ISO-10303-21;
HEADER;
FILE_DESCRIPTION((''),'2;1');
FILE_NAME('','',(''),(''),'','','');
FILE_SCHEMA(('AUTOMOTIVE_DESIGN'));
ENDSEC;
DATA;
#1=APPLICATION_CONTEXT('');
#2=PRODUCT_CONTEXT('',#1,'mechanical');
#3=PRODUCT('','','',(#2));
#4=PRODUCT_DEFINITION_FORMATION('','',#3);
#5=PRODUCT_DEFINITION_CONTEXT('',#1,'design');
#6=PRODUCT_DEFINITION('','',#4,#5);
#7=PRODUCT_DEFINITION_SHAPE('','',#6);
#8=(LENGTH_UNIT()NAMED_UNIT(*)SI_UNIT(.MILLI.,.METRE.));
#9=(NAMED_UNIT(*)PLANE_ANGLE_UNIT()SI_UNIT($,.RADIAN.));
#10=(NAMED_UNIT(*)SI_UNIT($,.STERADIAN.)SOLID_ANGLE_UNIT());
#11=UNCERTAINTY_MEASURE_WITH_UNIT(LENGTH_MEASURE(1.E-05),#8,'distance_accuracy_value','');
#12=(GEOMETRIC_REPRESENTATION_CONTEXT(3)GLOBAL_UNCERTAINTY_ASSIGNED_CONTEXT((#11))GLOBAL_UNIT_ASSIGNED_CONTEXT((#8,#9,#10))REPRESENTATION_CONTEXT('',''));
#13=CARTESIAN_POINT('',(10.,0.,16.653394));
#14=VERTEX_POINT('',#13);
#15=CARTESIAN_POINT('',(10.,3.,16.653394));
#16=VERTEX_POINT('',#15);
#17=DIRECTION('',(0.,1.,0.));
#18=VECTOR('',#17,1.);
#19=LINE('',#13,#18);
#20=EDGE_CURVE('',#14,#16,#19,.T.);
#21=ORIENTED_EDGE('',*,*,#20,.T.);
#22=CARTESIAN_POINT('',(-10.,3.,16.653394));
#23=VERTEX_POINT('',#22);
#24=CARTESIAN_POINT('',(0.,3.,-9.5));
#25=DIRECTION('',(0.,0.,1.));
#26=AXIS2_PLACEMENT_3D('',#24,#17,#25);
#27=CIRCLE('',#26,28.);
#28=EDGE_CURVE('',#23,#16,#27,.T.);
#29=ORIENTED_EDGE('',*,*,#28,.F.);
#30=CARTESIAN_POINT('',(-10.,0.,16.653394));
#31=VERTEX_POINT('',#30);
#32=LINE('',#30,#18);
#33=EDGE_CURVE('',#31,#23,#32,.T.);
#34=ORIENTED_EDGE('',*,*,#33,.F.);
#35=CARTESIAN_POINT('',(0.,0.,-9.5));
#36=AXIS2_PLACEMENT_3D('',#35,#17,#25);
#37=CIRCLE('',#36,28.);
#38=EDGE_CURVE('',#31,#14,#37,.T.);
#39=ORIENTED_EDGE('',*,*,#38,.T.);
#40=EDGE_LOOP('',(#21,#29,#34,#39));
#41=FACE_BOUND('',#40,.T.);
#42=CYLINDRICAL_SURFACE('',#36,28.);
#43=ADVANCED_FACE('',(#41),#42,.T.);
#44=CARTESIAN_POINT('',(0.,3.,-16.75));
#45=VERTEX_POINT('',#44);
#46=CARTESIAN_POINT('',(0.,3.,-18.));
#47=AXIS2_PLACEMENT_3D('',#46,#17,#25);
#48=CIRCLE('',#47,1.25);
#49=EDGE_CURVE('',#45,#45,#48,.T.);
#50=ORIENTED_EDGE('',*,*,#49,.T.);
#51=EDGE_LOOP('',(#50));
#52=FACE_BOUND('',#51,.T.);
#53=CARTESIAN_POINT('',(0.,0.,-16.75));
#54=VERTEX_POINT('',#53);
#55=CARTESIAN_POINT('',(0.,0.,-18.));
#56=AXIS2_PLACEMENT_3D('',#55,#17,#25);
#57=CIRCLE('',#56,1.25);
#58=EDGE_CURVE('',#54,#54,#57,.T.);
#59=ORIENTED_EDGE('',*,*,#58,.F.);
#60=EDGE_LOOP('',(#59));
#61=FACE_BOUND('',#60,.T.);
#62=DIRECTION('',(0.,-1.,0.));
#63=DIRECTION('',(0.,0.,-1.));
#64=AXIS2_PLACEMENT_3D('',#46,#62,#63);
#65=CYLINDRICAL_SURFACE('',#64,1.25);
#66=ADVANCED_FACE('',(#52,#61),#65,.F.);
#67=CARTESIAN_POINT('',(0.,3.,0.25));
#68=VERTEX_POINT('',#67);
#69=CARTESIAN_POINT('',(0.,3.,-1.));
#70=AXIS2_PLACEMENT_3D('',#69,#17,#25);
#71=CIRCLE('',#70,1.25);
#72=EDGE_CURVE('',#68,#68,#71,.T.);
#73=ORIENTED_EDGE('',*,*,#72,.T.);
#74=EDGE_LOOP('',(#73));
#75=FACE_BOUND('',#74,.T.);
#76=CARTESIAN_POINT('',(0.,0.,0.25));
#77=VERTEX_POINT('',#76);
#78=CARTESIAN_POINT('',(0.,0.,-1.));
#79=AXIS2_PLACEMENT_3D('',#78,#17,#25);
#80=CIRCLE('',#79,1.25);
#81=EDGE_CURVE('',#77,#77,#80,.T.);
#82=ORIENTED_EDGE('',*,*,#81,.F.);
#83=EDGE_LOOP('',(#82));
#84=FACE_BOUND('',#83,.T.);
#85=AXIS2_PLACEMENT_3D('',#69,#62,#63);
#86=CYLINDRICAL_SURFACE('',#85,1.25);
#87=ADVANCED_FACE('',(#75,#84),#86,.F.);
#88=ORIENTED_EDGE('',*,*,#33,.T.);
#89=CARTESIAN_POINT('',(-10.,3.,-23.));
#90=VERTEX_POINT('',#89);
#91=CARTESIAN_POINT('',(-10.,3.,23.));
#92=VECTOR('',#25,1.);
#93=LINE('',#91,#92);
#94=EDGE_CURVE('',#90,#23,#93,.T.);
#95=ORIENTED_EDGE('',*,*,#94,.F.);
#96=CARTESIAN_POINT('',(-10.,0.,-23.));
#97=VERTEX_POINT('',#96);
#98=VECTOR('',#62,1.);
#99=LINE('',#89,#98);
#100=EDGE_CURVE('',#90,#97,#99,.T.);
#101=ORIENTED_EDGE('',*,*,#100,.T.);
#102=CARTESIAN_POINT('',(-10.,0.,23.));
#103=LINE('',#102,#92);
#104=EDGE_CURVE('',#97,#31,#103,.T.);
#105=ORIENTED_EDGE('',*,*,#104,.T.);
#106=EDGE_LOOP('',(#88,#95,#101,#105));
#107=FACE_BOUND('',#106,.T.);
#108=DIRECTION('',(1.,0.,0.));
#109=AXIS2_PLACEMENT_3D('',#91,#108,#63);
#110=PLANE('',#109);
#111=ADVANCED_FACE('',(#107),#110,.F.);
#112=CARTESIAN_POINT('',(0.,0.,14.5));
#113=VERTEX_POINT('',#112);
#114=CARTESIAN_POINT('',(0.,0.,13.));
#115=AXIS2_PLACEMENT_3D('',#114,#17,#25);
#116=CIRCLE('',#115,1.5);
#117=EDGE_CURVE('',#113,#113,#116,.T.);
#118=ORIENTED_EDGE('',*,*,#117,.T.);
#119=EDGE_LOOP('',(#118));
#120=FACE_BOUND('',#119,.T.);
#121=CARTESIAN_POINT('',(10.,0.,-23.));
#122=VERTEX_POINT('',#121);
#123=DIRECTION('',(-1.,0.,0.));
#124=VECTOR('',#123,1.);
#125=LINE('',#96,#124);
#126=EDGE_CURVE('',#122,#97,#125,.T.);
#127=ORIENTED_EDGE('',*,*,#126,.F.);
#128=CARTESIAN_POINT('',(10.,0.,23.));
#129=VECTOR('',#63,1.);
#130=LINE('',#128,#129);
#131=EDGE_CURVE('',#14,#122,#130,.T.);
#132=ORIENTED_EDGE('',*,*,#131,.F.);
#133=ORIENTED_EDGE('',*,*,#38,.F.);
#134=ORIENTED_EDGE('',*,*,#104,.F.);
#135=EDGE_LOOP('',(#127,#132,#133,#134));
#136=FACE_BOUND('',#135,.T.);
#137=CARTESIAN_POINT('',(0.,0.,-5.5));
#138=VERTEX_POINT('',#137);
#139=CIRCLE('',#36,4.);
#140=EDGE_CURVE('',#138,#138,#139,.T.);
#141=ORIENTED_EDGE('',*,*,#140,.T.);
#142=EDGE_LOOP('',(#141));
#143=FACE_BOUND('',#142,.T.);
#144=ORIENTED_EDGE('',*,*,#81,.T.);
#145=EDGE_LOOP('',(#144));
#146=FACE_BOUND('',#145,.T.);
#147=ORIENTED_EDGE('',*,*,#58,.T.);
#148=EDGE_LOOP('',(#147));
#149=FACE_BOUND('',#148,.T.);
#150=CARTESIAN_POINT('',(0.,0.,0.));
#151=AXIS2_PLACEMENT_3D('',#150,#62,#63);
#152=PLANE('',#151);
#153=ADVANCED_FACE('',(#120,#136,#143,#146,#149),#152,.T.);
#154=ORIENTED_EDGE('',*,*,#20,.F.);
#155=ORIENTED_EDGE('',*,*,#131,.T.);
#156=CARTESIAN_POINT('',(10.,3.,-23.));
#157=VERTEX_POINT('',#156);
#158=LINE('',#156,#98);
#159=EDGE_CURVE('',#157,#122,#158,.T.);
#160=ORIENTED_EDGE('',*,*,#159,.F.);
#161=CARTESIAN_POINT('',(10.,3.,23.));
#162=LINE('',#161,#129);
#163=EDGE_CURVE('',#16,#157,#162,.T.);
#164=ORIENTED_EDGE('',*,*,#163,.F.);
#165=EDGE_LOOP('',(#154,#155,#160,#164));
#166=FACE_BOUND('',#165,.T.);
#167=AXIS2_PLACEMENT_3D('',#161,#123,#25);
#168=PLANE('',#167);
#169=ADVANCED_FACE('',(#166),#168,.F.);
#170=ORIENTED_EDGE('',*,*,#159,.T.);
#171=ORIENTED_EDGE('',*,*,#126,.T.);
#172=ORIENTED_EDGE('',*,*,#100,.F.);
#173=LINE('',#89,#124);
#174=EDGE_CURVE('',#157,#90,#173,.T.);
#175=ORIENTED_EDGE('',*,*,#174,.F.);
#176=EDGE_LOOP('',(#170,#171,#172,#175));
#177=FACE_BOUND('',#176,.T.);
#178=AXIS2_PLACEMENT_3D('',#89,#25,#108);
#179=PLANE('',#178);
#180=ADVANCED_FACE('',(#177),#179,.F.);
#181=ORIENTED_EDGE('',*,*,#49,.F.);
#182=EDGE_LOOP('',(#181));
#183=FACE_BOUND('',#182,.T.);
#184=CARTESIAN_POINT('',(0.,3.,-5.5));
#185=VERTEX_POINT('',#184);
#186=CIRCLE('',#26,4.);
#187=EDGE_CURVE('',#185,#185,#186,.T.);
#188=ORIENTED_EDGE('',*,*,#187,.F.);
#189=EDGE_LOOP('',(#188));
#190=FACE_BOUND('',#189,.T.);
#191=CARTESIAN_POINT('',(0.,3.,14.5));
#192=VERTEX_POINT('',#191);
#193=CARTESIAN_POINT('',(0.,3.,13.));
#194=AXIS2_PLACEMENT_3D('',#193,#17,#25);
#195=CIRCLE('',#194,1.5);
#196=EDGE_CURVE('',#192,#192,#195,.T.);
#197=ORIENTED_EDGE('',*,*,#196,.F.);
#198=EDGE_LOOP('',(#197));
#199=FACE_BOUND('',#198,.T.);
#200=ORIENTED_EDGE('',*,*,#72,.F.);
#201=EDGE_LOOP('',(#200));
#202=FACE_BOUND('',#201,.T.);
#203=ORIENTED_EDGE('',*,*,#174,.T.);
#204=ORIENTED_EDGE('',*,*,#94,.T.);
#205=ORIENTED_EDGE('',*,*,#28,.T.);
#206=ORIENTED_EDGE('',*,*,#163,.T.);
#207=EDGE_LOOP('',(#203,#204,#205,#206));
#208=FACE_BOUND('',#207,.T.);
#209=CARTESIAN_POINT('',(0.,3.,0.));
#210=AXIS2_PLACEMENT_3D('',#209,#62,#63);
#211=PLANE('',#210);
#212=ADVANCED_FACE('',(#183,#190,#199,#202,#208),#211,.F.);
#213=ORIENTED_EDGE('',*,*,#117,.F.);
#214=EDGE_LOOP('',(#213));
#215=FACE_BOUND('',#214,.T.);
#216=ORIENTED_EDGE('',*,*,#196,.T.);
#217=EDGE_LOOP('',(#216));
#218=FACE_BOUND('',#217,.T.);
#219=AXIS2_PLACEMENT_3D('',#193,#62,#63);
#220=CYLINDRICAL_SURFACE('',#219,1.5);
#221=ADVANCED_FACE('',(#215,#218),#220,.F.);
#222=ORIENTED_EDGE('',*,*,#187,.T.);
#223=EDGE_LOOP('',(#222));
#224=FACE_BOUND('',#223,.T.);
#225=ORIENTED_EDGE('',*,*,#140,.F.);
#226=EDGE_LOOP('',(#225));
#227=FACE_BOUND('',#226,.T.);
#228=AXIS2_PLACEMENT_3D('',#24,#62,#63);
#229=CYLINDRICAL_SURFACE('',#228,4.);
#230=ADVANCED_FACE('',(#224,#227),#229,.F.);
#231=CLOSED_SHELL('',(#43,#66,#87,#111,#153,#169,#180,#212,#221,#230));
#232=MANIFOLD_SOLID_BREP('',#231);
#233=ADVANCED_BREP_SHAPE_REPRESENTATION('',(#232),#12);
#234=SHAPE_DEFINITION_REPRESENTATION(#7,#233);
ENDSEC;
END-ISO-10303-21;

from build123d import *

# Parameters (mm, degrees)
SKETCH1_W           = 20
SKETCH1_H           = 46
SKETCH1_R           = 1.25
SKETCH1_R_2         = 4
SKETCH1_R_3         = 1.5
BOSS_EXTRUDE1_DEPTH = 3
SKETCH2_W           = 20
SKETCH2_H           = 13.653393661
CUT_EXTRUDE4_DEPTH  = 26.258661881


with BuildPart() as part:
    # Sketch1 → Boss-Extrude1 (new body)
    with BuildSketch(Plane(origin=(0, 0, 0), x_dir=(1, 0, 0), z_dir=(0, 1, 0))):
        Rectangle(SKETCH1_W, SKETCH1_H)
        with Locations(Location((0, 18, 0), (0, 0, 270))):
            Circle(SKETCH1_R, mode=Mode.SUBTRACT)
        with Locations(Location((0, 1, 0), (0, 0, 270))):
            Circle(SKETCH1_R, mode=Mode.SUBTRACT)
        with Locations(Location((0, 9.5, 0), (0, 0, 270))):
            Circle(SKETCH1_R_2, mode=Mode.SUBTRACT)
        with Locations(Location((0, -13, 0), (0, 0, 270))):
            Circle(SKETCH1_R_3, mode=Mode.SUBTRACT)
    extrude(amount=BOSS_EXTRUDE1_DEPTH)

    # Sketch2 → Cut-Extrude4 (cut, through all)
    with BuildSketch(Plane(origin=(0, 3, 0), x_dir=(1, 0, 0), z_dir=(0, 1, 0))):
        with Locations((0, -29.826696831)):
            Rectangle(SKETCH2_W, SKETCH2_H)
        with BuildLine():
            Line((10, -23), (10, -16.653393661))
            ThreePointArc((10, -16.653393661), (0, -18.5), (-10, -16.653393661))
            Line((-10, -16.653393661), (-10, -23))
            Line((-10, -23), (10, -23))
        make_face()
    extrude(amount=-CUT_EXTRUDE4_DEPTH, mode=Mode.SUBTRACT)


solid = part.part
